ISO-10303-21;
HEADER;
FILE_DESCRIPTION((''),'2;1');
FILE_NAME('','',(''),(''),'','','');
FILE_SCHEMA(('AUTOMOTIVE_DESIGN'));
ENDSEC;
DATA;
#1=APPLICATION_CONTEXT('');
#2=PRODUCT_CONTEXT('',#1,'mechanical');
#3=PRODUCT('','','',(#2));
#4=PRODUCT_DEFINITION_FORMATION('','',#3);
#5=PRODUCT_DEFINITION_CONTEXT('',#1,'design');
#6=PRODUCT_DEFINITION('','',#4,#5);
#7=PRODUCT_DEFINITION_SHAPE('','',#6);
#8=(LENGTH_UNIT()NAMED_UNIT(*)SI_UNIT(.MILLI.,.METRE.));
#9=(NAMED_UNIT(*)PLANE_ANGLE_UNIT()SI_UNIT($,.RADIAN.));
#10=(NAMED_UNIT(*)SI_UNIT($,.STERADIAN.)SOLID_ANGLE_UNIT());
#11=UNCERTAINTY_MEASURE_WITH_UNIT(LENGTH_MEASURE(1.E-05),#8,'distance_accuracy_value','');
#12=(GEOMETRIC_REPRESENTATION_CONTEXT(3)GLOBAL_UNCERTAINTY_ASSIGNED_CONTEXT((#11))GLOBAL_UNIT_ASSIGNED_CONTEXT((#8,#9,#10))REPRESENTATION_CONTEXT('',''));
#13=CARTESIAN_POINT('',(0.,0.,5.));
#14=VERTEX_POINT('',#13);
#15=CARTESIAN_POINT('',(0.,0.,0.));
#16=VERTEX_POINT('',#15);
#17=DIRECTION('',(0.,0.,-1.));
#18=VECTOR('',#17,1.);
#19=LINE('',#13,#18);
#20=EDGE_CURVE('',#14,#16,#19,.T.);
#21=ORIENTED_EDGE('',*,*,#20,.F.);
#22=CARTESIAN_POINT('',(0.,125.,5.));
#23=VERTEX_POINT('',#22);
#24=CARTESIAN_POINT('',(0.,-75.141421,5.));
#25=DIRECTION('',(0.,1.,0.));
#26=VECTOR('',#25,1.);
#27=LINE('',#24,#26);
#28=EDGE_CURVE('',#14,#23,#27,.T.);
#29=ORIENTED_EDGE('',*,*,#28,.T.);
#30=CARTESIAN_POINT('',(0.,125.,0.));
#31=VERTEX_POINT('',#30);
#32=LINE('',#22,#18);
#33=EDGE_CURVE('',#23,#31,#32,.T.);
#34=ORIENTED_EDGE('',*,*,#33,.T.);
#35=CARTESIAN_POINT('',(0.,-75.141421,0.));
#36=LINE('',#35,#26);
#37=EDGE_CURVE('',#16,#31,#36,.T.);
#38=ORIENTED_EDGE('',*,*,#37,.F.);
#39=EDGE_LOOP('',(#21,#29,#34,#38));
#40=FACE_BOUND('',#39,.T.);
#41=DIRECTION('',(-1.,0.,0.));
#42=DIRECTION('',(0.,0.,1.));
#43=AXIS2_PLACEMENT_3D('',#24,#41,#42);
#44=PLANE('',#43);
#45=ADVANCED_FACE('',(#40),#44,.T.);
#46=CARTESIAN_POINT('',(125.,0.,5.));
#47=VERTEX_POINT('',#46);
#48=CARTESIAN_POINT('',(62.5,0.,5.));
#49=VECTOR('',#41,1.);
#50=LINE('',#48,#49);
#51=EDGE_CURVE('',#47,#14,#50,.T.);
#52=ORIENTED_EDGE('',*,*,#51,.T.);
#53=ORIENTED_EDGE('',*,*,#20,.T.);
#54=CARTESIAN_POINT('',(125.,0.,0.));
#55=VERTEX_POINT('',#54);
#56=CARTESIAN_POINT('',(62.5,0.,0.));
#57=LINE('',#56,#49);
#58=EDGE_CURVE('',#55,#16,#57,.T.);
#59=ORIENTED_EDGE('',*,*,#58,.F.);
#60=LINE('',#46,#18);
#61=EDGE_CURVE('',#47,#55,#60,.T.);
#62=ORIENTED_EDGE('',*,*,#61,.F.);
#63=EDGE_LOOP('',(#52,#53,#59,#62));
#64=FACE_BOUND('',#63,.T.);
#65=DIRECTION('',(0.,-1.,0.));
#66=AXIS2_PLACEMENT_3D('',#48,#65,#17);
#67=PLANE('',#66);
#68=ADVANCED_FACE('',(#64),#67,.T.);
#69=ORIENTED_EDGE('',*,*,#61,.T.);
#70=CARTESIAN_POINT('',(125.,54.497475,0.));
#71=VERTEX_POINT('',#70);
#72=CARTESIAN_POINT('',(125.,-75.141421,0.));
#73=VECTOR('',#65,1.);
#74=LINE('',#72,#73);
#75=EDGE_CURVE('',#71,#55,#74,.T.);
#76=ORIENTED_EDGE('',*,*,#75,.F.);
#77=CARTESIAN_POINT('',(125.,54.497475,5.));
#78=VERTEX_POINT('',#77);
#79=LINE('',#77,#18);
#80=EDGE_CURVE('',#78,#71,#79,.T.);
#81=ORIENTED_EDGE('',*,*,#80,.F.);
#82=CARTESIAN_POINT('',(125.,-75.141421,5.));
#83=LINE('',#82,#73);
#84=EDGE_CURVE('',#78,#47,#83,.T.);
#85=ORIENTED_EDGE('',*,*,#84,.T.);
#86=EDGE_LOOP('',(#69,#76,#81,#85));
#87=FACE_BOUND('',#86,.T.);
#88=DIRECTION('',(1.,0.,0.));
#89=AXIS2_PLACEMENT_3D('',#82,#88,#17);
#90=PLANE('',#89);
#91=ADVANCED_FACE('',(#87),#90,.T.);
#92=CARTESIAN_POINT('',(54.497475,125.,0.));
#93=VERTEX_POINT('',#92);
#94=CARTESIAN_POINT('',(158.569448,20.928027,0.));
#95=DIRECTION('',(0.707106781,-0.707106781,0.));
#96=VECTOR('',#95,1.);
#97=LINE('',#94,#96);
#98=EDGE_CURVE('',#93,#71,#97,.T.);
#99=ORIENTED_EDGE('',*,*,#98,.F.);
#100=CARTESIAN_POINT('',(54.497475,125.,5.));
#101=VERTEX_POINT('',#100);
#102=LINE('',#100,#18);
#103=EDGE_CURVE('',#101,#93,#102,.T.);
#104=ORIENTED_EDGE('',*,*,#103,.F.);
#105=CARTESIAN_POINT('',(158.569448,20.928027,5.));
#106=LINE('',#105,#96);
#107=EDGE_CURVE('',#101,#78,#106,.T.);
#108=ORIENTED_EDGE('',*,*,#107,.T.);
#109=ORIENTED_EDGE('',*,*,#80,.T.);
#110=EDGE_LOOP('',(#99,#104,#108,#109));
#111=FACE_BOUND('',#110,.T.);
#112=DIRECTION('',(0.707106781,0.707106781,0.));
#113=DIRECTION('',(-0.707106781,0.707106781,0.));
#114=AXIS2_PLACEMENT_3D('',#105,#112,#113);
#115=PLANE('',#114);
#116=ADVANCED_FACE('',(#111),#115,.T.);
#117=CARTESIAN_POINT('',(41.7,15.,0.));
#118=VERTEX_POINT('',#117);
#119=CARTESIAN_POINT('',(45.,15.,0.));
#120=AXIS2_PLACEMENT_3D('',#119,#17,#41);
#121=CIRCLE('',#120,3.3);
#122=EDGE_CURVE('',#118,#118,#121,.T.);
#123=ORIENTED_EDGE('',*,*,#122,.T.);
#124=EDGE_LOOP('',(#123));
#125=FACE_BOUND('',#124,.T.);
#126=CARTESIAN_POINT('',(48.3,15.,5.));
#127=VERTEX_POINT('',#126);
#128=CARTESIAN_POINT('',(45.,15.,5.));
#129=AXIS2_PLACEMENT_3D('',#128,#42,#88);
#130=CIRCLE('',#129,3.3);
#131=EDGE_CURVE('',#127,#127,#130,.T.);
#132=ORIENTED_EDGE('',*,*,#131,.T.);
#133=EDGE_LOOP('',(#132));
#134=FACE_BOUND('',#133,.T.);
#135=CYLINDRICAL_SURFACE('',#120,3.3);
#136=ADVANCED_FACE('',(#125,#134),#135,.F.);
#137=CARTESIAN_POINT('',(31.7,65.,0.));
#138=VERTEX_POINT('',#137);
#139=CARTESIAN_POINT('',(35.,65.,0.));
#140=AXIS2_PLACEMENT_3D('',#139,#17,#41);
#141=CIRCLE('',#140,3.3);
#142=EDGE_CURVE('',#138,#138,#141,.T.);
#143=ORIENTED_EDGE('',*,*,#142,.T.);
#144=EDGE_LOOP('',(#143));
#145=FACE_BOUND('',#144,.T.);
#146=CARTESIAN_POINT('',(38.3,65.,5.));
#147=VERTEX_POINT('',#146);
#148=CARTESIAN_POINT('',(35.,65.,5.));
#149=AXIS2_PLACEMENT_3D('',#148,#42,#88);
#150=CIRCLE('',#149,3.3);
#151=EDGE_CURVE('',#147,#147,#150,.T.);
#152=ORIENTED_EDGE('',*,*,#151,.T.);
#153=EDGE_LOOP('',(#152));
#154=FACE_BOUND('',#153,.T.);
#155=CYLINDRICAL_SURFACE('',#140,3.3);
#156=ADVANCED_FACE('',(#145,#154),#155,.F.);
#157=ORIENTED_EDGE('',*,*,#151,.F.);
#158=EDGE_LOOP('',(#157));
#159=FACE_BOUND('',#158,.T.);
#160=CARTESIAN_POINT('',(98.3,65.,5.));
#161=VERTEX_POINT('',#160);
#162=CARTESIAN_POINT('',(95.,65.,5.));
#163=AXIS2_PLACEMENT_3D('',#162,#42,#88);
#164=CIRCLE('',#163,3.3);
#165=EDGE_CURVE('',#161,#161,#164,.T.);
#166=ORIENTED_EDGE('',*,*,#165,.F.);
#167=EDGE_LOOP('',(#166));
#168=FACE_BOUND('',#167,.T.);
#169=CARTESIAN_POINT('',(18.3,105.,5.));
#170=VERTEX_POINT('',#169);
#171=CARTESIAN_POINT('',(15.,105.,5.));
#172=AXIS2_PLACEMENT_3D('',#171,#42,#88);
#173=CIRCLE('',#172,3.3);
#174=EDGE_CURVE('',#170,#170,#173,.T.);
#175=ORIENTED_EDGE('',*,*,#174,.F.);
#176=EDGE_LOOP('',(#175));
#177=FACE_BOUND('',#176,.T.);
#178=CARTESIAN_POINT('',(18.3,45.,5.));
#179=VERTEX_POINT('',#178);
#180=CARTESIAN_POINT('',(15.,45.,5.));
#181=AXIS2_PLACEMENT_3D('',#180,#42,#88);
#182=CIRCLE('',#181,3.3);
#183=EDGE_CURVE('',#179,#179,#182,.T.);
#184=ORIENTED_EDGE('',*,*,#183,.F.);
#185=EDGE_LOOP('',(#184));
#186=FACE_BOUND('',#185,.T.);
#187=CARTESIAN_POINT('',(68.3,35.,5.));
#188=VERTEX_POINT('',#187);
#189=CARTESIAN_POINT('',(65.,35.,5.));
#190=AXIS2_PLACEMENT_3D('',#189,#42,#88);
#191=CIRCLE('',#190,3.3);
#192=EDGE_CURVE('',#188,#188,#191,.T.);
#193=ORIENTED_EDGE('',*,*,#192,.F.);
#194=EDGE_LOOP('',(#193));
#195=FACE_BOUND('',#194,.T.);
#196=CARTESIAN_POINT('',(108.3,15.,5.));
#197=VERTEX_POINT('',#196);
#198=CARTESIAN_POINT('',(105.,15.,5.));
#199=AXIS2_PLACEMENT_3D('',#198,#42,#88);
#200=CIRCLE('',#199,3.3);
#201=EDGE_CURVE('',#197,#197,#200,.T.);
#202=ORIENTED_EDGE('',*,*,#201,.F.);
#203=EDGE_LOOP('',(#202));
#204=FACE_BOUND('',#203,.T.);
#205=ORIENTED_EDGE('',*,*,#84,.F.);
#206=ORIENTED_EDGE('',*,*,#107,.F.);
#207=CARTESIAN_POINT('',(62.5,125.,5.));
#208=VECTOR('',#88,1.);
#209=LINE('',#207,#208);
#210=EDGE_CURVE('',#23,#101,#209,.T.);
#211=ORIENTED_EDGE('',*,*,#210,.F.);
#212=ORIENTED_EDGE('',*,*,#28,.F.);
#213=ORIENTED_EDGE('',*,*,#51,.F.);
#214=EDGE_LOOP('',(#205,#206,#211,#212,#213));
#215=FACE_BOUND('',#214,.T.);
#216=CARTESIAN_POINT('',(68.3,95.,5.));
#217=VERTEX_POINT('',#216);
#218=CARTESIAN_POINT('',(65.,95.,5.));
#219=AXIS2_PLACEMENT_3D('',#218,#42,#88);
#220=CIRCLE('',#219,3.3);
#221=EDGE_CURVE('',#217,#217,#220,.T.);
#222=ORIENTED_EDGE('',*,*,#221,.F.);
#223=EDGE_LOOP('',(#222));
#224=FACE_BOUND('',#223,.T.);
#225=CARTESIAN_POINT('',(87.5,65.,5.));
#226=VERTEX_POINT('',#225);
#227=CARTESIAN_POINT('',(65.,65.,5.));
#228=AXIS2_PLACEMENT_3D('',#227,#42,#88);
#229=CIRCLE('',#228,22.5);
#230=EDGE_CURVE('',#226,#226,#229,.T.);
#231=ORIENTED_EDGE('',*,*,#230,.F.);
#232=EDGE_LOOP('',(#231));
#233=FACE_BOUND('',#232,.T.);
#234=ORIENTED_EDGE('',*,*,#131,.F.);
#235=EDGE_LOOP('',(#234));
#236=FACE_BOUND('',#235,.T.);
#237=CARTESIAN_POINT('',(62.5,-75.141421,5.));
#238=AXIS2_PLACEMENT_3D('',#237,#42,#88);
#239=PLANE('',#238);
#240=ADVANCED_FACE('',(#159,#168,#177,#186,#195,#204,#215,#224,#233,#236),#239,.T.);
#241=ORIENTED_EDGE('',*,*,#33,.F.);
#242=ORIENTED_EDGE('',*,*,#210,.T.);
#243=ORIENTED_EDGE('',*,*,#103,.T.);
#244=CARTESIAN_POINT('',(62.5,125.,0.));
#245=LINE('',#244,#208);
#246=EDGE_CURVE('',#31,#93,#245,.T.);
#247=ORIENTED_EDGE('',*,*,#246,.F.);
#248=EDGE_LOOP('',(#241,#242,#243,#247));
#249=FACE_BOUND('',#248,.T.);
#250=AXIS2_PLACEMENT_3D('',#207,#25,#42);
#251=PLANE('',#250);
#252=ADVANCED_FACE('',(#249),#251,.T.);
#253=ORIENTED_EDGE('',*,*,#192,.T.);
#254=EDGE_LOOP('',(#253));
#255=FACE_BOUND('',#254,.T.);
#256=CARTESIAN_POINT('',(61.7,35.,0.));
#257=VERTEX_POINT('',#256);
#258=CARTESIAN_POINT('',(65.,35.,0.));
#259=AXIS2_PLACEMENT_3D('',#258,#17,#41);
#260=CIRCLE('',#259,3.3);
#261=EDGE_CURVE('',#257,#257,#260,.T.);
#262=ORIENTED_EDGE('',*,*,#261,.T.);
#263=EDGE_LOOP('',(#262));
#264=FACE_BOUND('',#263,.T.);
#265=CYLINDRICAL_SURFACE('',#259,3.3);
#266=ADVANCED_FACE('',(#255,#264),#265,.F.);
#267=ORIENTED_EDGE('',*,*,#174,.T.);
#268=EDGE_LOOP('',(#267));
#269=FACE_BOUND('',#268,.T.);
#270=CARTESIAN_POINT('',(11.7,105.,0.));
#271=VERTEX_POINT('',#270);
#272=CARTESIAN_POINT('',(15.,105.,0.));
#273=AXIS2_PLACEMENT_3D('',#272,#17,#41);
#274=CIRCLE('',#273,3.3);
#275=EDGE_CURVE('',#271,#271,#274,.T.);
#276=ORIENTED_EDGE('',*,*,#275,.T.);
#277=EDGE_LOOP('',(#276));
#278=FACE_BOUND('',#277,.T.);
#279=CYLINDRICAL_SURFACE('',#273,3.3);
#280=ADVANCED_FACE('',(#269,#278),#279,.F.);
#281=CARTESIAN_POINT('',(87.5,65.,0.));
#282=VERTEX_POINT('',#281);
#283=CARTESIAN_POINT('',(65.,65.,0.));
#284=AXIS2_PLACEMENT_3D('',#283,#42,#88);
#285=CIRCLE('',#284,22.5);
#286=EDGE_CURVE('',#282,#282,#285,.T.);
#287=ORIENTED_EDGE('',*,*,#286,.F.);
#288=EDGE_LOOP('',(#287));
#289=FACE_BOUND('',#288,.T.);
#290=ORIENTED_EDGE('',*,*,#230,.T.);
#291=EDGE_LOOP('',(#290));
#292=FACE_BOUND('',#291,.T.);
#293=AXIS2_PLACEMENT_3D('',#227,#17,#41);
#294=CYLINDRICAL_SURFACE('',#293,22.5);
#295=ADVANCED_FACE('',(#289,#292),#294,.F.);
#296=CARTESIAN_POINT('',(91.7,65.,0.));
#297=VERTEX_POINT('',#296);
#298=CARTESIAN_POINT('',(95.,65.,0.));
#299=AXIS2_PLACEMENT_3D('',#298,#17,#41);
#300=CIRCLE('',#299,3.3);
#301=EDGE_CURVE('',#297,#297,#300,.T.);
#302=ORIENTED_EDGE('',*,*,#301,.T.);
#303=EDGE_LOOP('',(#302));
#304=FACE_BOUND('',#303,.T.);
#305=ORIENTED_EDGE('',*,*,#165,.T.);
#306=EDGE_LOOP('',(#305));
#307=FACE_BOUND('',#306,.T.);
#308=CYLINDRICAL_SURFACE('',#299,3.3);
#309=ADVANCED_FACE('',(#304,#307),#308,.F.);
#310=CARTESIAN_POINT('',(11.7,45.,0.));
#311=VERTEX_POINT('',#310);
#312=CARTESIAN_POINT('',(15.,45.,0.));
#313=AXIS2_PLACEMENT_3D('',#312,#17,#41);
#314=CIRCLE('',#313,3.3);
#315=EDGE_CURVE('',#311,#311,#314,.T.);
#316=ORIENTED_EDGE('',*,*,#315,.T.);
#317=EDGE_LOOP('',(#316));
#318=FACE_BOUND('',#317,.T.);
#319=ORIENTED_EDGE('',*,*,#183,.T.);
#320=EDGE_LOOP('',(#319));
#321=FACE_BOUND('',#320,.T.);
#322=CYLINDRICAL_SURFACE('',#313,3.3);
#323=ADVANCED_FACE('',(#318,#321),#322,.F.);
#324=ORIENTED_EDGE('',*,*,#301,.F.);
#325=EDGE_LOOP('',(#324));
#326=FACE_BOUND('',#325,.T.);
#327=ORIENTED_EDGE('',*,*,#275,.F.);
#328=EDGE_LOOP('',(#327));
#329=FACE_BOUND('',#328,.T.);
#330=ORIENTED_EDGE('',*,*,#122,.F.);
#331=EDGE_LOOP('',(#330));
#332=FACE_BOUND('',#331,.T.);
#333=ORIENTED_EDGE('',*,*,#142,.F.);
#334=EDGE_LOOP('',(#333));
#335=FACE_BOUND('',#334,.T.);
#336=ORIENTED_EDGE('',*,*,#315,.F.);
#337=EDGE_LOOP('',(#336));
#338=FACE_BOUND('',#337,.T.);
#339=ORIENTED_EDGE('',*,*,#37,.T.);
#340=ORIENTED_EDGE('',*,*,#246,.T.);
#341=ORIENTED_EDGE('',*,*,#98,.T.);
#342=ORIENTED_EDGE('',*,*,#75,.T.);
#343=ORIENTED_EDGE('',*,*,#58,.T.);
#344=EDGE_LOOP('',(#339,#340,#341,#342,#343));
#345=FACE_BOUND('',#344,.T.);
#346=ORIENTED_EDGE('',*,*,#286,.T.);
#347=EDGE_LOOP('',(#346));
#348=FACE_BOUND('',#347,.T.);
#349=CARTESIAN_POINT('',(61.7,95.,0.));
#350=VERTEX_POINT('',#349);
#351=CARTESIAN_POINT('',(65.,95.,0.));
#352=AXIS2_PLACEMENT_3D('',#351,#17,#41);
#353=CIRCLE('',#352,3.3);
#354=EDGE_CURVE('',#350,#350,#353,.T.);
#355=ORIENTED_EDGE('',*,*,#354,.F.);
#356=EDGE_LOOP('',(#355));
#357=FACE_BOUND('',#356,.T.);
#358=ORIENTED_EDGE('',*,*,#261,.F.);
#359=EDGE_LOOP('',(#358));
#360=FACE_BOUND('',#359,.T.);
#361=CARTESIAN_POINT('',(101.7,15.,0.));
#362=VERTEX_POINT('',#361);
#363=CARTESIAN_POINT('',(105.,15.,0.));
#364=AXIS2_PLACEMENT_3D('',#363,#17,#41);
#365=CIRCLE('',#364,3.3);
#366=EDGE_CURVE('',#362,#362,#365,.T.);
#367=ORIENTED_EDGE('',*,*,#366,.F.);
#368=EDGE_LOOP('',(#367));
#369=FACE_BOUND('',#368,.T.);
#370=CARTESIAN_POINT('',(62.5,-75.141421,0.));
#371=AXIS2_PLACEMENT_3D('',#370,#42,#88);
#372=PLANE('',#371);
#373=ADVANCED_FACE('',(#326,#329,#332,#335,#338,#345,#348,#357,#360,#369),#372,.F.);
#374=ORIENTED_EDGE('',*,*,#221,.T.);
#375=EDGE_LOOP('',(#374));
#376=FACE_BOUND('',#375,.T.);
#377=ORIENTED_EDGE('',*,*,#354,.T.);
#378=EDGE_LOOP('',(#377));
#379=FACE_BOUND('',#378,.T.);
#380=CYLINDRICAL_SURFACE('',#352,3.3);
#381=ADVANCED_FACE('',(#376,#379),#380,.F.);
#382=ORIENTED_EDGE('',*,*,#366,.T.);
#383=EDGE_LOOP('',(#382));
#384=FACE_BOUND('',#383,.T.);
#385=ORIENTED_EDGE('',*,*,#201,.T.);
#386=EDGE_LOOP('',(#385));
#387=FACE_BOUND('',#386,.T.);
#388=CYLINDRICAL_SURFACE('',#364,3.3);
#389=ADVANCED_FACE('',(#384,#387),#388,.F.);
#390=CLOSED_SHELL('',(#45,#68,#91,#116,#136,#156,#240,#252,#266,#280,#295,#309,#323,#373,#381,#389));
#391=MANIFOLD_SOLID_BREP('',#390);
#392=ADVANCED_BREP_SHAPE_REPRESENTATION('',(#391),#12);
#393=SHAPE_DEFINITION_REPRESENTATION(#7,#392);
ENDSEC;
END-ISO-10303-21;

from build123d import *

# Parameters (mm, degrees)
SKETCH_1_R            = 22.5
EXTRUDE_1_DEPTH       = 5
HOLE_WIZARD_M61_D     = 6.6
HOLE_WIZARD_M61_DEPTH = 10
HOLE_WIZARD_M61_TIP   = 1.982840043


with BuildPart() as part:
    # Эскиз1 → Бобышка-Вытянуть1 (new body)
    with BuildSketch(Plane.XY):
        Polygon((0, 0), (0, 125), (54.497474683, 125), (125, 54.497474683), (125, 0), align=None)
        with Locations((65, 65)):
            Circle(SKETCH_1_R, mode=Mode.SUBTRACT)
    extrude(amount=EXTRUDE_1_DEPTH)

    # Отверстие с зазором M61
    with Locations(Plane(origin=(0, 0, 0), x_dir=(-1, 0, 0), z_dir=(0, 0, -1))):
        with Locations((-95, 65), (-65, 95), (-35, 65), (-65, 35), (-105, 15), (-45, 15), (-15, 45), (-15, 105)):
            Hole(HOLE_WIZARD_M61_D / 2, depth=HOLE_WIZARD_M61_DEPTH)
            with Locations((0, 0, -(HOLE_WIZARD_M61_DEPTH + HOLE_WIZARD_M61_TIP / 2))):  # 118° drill point
                Cone(0, HOLE_WIZARD_M61_D / 2, HOLE_WIZARD_M61_TIP, mode=Mode.SUBTRACT)


solid = part.part
